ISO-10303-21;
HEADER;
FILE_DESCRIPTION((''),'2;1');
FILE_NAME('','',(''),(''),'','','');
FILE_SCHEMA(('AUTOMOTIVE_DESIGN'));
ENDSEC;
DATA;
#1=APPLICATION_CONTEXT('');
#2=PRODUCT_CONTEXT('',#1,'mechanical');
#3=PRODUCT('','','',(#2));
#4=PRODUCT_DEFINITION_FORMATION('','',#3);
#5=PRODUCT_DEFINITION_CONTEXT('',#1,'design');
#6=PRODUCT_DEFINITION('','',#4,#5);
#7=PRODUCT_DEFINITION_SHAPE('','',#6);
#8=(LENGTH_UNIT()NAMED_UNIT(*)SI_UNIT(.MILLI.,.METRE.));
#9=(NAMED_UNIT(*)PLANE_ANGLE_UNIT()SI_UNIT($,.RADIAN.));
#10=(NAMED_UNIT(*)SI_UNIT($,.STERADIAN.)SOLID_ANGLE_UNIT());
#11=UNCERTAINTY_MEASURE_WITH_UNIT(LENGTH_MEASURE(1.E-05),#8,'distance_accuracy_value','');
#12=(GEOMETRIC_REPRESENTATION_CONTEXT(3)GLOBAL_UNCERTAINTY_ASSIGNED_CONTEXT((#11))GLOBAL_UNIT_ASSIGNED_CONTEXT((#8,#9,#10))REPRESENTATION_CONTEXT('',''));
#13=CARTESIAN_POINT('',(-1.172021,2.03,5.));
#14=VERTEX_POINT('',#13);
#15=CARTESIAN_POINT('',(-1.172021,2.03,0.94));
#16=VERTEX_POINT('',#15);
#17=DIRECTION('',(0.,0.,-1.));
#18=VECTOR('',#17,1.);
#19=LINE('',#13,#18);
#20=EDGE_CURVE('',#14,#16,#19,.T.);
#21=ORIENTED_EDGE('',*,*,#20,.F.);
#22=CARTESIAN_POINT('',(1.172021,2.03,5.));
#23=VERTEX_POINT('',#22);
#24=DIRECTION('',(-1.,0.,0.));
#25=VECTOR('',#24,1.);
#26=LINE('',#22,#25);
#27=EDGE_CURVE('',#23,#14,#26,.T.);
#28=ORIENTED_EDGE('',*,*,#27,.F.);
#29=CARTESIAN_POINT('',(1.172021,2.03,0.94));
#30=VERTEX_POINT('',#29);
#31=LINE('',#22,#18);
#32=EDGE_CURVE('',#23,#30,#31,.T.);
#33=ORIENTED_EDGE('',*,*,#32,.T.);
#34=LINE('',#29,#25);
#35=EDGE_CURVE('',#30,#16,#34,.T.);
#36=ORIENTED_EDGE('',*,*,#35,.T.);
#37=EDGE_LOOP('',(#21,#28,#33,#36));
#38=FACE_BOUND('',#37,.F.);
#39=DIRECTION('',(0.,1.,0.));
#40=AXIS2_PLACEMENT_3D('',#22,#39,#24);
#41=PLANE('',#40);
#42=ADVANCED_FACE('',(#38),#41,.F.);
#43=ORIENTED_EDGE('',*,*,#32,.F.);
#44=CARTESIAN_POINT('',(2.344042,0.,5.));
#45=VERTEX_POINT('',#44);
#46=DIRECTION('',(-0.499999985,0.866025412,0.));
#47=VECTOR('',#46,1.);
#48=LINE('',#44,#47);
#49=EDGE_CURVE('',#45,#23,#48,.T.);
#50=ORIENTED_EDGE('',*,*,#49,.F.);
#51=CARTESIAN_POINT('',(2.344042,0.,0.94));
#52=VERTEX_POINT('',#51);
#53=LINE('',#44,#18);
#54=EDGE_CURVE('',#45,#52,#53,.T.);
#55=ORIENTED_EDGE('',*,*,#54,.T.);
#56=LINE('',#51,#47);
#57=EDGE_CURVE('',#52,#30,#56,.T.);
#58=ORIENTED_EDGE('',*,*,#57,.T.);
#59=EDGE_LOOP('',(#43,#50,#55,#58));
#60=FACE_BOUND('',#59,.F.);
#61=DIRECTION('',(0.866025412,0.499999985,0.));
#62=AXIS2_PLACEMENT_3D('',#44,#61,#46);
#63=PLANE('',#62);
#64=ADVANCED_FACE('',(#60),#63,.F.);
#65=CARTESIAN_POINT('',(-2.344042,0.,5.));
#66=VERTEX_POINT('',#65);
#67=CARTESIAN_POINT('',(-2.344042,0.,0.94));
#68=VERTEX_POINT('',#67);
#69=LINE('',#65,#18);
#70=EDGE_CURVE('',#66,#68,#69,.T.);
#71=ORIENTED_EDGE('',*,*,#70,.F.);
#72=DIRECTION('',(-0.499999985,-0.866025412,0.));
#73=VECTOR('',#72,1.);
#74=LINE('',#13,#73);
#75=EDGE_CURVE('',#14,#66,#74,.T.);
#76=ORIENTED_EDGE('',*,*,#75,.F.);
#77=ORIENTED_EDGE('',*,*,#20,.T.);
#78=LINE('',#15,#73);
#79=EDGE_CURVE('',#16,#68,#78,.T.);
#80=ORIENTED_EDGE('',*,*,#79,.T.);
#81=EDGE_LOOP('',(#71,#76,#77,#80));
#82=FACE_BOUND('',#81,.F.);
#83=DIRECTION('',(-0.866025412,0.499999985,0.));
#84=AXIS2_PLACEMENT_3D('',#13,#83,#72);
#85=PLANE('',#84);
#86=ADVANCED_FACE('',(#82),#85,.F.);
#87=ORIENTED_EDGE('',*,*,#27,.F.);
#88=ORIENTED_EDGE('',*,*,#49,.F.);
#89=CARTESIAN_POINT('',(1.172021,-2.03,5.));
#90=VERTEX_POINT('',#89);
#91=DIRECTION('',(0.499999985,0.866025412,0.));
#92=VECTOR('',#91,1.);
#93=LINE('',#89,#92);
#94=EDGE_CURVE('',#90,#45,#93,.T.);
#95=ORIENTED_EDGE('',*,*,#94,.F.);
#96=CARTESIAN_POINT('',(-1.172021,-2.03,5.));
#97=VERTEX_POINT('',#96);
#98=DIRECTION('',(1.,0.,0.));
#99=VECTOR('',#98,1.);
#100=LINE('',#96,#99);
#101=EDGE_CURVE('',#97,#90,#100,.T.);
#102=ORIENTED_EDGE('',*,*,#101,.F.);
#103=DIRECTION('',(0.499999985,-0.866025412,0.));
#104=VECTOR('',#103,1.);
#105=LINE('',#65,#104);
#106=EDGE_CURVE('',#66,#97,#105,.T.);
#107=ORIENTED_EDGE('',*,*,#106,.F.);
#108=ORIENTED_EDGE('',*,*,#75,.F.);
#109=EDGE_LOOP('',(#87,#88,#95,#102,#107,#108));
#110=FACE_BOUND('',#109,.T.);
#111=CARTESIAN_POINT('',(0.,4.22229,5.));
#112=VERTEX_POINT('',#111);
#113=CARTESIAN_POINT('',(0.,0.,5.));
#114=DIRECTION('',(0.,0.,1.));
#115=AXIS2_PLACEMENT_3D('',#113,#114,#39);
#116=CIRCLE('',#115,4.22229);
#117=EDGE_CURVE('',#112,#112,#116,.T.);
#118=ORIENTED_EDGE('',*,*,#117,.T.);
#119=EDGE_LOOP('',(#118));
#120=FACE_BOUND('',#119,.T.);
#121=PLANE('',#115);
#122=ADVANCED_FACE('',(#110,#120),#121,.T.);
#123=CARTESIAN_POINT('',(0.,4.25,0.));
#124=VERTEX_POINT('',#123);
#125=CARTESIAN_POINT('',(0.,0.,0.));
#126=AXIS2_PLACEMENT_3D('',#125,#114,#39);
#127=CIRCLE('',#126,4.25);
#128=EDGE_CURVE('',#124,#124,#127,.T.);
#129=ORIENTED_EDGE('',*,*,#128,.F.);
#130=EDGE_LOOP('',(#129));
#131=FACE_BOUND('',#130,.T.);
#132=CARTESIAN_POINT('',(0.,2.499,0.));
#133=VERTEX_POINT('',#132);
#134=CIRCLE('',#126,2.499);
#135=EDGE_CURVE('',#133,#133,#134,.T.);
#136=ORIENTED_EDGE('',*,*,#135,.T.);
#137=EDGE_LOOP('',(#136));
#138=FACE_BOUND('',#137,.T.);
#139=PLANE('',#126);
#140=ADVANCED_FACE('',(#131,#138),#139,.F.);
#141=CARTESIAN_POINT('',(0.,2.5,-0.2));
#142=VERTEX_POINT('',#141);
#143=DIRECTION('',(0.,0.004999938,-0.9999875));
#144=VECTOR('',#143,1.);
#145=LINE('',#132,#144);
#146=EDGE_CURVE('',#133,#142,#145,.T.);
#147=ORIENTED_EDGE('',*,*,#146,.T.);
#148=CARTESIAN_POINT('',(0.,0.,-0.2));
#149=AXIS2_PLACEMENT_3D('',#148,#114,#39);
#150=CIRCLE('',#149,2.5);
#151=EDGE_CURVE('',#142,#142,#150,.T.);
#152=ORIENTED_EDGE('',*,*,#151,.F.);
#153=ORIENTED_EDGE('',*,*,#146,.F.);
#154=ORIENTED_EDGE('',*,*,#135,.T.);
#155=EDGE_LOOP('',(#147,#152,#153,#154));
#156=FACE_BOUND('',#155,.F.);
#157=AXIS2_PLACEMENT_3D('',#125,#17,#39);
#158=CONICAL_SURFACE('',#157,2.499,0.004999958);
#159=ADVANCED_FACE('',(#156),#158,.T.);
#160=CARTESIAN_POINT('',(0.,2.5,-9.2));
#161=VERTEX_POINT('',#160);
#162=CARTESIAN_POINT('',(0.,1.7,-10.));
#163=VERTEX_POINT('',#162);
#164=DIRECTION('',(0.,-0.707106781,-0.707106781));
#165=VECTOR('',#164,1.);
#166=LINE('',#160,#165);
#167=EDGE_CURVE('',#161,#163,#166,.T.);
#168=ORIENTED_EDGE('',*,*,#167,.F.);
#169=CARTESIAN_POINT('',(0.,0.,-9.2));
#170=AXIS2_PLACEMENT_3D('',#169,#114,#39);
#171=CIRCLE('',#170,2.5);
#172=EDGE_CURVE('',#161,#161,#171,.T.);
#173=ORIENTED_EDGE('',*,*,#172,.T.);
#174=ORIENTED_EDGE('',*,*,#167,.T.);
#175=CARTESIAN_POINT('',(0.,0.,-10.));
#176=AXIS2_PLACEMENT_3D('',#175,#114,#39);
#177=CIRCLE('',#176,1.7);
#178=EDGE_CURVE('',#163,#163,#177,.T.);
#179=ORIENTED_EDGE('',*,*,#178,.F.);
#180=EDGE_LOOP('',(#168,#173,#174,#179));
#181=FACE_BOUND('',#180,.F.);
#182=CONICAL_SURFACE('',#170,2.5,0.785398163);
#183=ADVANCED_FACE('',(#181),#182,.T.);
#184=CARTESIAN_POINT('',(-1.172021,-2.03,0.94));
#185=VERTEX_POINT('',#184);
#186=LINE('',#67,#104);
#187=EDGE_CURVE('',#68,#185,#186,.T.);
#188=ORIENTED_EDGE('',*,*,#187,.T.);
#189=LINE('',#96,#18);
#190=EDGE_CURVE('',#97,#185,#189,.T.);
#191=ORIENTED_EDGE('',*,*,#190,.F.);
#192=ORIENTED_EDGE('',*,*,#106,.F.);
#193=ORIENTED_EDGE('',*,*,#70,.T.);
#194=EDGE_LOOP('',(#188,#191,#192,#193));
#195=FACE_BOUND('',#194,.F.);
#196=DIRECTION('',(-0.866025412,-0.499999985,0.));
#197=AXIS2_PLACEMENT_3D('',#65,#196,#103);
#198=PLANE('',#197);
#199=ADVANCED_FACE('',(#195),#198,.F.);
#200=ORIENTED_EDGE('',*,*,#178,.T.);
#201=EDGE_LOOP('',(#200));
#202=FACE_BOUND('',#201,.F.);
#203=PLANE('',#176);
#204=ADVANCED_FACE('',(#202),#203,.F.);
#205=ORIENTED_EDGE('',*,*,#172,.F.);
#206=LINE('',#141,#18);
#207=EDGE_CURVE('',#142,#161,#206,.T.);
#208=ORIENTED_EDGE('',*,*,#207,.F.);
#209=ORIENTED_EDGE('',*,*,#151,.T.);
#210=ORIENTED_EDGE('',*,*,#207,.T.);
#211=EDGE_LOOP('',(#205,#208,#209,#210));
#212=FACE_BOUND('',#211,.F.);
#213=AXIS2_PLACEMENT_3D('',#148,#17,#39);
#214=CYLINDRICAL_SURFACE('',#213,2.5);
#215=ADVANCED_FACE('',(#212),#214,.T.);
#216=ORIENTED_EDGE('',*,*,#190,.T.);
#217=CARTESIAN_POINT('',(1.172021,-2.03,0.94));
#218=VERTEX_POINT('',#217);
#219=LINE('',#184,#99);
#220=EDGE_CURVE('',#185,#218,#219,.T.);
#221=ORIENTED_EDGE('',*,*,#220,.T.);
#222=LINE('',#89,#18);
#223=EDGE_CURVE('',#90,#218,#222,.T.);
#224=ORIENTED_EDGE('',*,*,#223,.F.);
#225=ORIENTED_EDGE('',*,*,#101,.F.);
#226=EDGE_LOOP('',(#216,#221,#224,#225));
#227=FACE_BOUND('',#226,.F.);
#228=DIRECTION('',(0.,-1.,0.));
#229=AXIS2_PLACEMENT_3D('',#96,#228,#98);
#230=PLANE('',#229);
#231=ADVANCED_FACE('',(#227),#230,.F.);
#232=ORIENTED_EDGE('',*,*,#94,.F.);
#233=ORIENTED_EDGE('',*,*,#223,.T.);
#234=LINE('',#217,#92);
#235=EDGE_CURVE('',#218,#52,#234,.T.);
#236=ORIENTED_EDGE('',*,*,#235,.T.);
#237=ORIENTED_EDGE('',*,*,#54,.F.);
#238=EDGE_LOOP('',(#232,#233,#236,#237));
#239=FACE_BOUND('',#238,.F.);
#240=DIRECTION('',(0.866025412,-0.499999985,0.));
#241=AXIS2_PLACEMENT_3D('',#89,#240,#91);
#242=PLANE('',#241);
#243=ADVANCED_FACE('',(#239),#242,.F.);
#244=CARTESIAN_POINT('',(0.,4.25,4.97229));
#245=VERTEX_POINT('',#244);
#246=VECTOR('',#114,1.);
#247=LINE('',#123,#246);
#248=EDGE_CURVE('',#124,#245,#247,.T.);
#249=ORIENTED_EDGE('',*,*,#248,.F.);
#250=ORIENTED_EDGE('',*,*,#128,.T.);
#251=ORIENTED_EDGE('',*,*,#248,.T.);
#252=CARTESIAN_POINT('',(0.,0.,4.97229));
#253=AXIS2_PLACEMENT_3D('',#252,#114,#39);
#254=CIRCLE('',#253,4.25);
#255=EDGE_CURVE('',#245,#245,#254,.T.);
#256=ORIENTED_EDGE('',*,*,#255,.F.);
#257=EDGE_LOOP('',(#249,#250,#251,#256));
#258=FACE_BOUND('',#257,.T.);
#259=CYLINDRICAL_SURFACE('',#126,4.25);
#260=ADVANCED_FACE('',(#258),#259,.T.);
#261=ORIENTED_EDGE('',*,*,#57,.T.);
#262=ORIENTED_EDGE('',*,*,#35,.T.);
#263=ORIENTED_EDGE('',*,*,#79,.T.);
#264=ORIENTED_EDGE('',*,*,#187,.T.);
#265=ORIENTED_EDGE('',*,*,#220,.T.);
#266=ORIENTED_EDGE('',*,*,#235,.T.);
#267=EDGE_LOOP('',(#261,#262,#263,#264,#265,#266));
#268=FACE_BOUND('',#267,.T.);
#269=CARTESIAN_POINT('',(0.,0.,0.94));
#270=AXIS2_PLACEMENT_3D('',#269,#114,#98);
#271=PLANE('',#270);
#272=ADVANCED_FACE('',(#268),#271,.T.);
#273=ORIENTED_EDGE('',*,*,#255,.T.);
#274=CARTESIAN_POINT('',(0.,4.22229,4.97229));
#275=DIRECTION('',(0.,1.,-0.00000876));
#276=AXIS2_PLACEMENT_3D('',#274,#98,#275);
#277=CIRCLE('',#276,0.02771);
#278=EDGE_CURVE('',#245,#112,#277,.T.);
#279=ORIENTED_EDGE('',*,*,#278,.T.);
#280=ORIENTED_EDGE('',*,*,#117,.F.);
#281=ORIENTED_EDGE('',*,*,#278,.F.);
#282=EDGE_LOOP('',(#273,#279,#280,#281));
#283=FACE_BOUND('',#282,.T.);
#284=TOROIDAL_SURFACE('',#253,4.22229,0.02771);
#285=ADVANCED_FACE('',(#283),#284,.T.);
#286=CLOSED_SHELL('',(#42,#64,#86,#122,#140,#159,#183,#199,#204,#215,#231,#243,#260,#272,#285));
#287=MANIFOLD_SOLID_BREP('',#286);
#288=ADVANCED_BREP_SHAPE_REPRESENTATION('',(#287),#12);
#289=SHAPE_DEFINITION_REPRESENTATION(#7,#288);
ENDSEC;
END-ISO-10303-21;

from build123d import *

# Parameters (mm, degrees)
POCKET_DEPTH = 4.06


with BuildPart() as part:
    # Sketch → Revolve (revolve)
    with BuildSketch(Plane.YZ):
        with BuildLine():
            Line((2.499, 0), (4.25, 0))
            Line((4.25, 0), (4.25, 4.97229))
            ThreePointArc((4.25, 4.97229), (4.241884, 4.991884), (4.22229, 5))
            Line((4.22229, 5), (0, 5))
            Line((0, -10), (0, 5))
            Line((1.7, -10), (0, -10))
            Line((2.5, -9.2), (1.7, -10))
            Line((2.5, -0.2), (2.5, -9.2))
            Line((2.499, 0), (2.5, -0.2))
        make_face()
    revolve(axis=Axis((0, 0, 0), (0, 0, 1)))

    # Sketch001 (on Face5 of Revolve) → Pocket (cut)
    with BuildSketch(Plane.XY.offset(5)):
        Polygon((2.344042, 0), (1.172021, 2.03), (-1.172021, 2.03), (-2.344042, 0), (-1.172021, -2.03), (1.172021, -2.03), align=None)
    extrude(amount=-POCKET_DEPTH, mode=Mode.SUBTRACT)


solid = part.part
